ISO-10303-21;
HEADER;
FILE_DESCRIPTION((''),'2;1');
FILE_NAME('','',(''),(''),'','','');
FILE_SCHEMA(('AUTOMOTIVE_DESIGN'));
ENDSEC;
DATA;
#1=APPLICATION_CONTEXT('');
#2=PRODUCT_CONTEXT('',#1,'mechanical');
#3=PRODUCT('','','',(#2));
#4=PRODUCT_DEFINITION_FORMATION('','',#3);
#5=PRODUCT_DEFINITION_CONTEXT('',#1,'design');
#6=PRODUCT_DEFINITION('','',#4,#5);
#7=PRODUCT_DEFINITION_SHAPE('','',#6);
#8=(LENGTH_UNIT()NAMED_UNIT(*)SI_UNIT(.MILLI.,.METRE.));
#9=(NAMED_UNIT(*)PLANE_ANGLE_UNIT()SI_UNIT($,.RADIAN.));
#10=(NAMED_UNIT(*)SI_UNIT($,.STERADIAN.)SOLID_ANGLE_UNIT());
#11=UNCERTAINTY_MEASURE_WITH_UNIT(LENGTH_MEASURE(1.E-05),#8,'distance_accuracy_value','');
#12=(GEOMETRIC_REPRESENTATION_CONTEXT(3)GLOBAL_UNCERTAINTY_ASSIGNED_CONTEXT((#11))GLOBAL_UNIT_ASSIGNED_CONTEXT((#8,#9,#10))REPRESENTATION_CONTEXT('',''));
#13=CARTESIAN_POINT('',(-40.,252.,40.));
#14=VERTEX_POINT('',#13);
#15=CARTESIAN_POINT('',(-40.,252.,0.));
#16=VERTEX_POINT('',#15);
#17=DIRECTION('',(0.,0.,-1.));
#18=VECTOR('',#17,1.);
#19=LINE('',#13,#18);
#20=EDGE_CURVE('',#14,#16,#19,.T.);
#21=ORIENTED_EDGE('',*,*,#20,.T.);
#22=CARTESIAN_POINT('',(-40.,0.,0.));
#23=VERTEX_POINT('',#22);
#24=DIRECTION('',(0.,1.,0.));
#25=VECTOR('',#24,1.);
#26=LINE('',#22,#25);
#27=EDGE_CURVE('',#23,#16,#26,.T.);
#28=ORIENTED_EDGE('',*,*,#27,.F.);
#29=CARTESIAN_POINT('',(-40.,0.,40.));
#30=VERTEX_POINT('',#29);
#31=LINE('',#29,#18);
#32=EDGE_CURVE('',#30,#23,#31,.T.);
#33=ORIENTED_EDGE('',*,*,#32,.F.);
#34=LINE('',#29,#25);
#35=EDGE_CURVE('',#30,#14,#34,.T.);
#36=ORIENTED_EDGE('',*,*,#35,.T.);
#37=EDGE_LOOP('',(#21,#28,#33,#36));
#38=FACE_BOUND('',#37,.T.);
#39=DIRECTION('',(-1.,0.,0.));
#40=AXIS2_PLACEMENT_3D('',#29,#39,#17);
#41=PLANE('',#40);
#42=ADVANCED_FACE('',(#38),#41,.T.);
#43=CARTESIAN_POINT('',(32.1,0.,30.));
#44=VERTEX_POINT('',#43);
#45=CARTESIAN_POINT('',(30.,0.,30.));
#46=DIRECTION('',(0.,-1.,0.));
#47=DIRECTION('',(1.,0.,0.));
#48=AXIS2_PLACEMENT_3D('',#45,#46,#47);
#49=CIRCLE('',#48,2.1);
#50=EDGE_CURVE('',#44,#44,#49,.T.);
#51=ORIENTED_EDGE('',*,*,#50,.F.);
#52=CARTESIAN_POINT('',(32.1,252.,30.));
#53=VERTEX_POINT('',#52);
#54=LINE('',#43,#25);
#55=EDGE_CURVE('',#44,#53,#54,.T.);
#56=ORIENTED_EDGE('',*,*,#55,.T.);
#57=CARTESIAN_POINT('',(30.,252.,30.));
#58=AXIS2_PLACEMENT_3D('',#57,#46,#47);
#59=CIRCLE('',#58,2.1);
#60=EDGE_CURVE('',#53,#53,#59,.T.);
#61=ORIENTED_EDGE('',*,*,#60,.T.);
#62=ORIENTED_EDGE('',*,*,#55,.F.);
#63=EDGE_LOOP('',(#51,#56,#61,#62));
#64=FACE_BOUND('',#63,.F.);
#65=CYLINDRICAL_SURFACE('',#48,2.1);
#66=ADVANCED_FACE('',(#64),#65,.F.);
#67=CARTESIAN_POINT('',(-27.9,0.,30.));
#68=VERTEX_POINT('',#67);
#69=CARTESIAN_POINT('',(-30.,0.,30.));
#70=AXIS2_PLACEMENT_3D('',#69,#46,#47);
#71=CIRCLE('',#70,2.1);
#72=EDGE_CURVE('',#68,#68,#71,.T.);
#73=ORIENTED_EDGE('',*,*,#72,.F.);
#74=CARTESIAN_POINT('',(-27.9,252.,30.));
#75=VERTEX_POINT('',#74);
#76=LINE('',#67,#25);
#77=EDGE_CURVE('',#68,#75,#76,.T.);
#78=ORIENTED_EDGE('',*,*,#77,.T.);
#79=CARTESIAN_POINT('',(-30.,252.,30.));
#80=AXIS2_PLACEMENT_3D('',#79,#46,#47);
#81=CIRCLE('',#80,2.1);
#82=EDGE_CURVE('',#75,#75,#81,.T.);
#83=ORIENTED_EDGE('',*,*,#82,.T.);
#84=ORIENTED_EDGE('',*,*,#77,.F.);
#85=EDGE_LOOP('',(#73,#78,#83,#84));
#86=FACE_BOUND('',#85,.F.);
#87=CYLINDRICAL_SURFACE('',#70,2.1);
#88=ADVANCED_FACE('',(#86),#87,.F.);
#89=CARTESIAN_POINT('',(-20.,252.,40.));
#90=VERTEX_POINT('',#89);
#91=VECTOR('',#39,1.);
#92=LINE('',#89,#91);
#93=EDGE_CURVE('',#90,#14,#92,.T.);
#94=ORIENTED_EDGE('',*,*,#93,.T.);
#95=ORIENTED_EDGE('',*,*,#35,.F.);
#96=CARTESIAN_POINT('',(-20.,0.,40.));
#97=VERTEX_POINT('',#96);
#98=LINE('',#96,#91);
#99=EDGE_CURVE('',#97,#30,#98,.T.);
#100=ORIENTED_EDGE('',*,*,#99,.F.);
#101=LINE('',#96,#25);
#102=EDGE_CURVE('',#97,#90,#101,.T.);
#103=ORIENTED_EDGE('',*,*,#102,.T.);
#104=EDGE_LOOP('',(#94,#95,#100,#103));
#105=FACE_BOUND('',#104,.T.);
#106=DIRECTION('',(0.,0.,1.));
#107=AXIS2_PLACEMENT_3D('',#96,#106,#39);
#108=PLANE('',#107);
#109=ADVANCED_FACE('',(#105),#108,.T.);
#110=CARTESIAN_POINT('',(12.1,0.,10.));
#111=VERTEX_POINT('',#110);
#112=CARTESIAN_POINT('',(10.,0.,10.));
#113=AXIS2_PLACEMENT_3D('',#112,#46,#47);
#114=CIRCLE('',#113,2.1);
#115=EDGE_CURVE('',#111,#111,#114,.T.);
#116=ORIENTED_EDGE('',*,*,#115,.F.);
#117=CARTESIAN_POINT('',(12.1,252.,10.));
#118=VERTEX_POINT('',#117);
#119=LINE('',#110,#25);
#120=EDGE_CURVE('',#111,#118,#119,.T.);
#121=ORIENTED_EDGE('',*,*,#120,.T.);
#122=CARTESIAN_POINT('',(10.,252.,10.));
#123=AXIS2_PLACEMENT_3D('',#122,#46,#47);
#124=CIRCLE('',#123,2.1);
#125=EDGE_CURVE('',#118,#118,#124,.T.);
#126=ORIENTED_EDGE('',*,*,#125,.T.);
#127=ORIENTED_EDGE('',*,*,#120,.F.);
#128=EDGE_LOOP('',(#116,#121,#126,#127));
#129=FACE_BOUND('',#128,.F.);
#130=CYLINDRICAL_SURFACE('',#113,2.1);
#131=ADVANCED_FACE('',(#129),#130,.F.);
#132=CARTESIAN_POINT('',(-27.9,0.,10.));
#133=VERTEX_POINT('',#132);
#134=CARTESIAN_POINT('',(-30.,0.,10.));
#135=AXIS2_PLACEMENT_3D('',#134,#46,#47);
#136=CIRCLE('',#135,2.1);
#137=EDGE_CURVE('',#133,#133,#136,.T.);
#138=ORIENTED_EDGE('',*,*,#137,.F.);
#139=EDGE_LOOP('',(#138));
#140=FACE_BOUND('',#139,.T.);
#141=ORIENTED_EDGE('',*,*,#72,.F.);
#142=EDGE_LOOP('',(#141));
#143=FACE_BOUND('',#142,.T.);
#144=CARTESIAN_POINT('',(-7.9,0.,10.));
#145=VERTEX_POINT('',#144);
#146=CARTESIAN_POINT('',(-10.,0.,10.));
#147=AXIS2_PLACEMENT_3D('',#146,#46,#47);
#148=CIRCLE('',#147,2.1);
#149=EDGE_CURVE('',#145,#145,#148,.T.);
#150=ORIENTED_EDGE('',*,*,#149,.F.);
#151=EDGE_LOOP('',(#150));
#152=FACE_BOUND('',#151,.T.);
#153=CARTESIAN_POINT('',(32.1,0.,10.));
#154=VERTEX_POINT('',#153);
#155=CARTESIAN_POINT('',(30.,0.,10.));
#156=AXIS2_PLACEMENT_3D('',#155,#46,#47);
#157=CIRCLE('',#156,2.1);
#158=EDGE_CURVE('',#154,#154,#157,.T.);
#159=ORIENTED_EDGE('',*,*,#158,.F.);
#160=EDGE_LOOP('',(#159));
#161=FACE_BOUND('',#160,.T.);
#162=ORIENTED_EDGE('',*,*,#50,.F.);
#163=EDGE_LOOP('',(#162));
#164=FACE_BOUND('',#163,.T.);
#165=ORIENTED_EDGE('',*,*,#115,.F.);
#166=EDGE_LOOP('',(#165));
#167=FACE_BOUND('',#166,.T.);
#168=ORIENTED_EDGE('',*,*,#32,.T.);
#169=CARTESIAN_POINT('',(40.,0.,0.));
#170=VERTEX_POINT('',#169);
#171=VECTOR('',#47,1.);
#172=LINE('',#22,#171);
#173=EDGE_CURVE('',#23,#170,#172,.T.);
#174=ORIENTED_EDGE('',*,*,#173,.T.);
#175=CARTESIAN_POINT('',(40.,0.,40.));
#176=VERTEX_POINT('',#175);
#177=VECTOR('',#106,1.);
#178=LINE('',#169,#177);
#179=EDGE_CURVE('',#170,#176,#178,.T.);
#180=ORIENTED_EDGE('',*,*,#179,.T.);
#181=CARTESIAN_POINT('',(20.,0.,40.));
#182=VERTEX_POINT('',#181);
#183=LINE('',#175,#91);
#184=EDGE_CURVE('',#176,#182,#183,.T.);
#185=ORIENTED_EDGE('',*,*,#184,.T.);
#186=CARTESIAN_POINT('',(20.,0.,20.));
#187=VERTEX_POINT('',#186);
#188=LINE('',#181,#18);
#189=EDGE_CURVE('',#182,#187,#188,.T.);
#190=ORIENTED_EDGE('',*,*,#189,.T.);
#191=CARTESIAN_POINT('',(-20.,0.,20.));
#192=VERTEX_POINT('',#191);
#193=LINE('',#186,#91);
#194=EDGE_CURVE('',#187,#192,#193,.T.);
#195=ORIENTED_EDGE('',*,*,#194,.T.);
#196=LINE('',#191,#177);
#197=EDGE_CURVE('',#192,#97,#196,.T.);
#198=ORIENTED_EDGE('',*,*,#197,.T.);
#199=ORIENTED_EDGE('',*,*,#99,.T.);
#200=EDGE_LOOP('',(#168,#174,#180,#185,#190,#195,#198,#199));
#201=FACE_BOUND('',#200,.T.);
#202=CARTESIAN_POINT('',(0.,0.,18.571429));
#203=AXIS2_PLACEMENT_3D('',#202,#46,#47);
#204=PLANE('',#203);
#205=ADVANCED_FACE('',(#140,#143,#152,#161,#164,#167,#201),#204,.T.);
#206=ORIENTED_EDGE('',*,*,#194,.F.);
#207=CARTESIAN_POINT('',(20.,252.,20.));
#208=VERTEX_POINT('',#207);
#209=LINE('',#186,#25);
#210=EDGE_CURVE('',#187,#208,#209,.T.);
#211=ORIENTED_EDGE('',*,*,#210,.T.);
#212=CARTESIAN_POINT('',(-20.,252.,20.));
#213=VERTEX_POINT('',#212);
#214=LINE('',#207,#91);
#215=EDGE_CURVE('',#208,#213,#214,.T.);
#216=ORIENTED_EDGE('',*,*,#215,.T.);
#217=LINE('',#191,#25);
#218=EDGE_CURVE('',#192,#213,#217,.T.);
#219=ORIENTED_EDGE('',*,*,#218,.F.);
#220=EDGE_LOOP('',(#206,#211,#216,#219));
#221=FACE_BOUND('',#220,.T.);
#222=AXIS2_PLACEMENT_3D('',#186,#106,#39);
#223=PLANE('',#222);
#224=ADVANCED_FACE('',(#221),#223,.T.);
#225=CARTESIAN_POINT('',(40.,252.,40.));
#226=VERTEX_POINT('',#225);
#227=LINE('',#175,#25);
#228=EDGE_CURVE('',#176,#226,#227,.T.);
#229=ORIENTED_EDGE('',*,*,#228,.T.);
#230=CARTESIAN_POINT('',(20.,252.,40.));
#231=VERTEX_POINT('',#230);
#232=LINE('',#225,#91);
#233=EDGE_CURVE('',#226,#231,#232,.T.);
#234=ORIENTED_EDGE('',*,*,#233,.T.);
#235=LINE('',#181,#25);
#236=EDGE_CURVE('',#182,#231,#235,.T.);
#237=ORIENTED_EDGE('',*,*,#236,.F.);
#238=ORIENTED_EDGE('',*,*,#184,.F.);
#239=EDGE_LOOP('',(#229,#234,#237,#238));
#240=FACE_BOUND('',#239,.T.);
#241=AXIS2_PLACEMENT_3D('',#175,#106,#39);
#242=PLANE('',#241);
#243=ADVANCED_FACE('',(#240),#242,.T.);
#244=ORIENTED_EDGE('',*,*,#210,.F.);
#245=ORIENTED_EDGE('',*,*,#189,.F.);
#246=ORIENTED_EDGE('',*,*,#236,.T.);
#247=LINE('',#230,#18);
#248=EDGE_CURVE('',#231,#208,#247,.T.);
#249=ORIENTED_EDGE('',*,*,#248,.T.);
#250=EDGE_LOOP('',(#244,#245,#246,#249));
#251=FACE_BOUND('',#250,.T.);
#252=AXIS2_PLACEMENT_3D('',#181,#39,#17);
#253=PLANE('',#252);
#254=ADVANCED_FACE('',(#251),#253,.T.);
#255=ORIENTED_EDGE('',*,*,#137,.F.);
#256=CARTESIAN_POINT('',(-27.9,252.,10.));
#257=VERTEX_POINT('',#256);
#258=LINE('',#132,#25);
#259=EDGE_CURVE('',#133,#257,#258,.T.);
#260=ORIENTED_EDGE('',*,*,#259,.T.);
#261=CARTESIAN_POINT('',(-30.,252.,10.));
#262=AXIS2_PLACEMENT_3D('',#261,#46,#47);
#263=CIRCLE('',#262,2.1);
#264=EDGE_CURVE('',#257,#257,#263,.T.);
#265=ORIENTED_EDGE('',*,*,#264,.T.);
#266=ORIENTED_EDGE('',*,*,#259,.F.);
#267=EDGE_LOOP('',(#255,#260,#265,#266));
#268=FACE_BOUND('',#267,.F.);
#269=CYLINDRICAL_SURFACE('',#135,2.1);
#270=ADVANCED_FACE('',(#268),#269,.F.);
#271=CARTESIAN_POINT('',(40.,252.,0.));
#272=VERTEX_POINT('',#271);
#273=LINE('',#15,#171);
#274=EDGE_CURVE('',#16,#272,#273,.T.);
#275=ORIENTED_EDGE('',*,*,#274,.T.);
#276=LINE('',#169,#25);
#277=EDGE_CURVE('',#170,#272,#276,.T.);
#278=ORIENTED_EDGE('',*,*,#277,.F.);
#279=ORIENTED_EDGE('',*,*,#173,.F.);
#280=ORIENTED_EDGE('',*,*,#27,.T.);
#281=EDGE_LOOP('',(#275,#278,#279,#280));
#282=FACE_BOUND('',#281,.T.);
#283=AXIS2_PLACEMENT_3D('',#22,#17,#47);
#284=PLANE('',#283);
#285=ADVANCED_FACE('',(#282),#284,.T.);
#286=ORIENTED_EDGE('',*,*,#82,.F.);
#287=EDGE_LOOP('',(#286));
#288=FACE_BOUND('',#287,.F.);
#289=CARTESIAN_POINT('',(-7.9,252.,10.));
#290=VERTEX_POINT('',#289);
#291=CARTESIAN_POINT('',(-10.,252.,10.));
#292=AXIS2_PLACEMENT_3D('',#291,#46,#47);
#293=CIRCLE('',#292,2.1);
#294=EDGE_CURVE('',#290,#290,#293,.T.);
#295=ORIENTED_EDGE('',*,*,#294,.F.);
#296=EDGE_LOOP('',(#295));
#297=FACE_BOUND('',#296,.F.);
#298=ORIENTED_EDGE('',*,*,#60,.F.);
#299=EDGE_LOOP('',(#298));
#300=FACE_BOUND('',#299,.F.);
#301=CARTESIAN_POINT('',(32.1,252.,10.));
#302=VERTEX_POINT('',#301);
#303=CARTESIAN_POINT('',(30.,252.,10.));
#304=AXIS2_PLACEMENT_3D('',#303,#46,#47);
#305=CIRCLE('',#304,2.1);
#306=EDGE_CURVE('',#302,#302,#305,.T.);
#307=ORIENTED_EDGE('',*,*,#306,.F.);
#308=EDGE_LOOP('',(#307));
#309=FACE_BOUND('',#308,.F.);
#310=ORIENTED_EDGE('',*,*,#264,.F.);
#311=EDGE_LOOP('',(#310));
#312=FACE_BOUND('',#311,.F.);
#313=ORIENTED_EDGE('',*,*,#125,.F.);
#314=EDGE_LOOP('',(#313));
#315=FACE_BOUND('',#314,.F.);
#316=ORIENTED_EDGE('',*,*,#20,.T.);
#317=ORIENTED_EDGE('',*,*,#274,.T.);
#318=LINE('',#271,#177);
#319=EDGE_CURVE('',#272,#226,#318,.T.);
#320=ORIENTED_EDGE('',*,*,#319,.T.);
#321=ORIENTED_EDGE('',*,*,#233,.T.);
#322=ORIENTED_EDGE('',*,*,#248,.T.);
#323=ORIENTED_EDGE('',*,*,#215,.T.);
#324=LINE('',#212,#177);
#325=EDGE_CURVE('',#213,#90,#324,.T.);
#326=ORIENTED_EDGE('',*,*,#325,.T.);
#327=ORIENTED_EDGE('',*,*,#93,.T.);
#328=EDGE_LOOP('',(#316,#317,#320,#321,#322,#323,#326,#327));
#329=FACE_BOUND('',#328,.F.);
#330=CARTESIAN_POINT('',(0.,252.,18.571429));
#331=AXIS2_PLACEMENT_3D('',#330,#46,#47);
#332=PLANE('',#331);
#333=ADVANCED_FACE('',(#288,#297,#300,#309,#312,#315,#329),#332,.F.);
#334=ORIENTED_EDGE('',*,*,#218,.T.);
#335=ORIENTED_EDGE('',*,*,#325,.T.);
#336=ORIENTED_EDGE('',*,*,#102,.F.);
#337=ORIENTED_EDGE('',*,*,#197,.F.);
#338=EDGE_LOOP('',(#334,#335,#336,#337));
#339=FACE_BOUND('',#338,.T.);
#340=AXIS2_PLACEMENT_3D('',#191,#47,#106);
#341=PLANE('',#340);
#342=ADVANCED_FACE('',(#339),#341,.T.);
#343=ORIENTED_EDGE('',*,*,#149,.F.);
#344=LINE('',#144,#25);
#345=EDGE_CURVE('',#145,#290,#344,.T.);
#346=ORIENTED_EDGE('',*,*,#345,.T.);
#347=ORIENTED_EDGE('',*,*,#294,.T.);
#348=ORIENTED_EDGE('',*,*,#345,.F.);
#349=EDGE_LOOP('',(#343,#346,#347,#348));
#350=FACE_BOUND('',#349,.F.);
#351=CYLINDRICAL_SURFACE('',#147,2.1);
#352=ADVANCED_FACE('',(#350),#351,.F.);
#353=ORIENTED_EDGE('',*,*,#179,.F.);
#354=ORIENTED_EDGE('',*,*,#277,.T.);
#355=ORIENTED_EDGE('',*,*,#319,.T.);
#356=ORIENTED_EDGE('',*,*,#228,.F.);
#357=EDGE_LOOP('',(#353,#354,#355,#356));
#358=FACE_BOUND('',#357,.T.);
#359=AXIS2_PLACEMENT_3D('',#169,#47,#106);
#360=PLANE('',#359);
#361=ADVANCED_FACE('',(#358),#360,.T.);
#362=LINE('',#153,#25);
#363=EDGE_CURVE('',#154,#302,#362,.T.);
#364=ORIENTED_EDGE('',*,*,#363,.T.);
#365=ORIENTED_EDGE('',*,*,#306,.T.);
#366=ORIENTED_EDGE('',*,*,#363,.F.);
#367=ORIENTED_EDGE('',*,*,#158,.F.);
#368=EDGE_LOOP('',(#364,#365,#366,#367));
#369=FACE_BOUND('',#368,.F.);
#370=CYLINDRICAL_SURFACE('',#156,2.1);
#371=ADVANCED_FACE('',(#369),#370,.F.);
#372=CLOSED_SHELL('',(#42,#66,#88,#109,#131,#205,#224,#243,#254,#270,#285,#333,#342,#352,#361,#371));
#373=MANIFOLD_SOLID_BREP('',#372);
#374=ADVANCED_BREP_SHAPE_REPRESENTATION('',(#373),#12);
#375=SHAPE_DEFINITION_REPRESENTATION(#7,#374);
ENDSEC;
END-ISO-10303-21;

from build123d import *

# Parameters (mm, degrees)
F0_R     = 2.1
F1_DEPTH = 252


with BuildPart() as f1:
    # F0 (on Front) → F1 (new body)
    with BuildSketch(Plane.XZ):
        Polygon((-20, 40), (-40, 40), (-40, 0), (40, 0), (40, 40), (20, 40), (20, 20), (-20, 20), align=None)
        with Locations((-30, 10)):
            Circle(F0_R, mode=Mode.SUBTRACT)
        with Locations((-10, 10)):
            Circle(F0_R, mode=Mode.SUBTRACT)
        with Locations((10, 10)):
            Circle(F0_R, mode=Mode.SUBTRACT)
        with Locations((30, 10)):
            Circle(F0_R, mode=Mode.SUBTRACT)
        with Locations((-30, 30)):
            Circle(F0_R, mode=Mode.SUBTRACT)
        with Locations((30, 30)):
            Circle(F0_R, mode=Mode.SUBTRACT)
    extrude(amount=-F1_DEPTH)


solid = f1.part
